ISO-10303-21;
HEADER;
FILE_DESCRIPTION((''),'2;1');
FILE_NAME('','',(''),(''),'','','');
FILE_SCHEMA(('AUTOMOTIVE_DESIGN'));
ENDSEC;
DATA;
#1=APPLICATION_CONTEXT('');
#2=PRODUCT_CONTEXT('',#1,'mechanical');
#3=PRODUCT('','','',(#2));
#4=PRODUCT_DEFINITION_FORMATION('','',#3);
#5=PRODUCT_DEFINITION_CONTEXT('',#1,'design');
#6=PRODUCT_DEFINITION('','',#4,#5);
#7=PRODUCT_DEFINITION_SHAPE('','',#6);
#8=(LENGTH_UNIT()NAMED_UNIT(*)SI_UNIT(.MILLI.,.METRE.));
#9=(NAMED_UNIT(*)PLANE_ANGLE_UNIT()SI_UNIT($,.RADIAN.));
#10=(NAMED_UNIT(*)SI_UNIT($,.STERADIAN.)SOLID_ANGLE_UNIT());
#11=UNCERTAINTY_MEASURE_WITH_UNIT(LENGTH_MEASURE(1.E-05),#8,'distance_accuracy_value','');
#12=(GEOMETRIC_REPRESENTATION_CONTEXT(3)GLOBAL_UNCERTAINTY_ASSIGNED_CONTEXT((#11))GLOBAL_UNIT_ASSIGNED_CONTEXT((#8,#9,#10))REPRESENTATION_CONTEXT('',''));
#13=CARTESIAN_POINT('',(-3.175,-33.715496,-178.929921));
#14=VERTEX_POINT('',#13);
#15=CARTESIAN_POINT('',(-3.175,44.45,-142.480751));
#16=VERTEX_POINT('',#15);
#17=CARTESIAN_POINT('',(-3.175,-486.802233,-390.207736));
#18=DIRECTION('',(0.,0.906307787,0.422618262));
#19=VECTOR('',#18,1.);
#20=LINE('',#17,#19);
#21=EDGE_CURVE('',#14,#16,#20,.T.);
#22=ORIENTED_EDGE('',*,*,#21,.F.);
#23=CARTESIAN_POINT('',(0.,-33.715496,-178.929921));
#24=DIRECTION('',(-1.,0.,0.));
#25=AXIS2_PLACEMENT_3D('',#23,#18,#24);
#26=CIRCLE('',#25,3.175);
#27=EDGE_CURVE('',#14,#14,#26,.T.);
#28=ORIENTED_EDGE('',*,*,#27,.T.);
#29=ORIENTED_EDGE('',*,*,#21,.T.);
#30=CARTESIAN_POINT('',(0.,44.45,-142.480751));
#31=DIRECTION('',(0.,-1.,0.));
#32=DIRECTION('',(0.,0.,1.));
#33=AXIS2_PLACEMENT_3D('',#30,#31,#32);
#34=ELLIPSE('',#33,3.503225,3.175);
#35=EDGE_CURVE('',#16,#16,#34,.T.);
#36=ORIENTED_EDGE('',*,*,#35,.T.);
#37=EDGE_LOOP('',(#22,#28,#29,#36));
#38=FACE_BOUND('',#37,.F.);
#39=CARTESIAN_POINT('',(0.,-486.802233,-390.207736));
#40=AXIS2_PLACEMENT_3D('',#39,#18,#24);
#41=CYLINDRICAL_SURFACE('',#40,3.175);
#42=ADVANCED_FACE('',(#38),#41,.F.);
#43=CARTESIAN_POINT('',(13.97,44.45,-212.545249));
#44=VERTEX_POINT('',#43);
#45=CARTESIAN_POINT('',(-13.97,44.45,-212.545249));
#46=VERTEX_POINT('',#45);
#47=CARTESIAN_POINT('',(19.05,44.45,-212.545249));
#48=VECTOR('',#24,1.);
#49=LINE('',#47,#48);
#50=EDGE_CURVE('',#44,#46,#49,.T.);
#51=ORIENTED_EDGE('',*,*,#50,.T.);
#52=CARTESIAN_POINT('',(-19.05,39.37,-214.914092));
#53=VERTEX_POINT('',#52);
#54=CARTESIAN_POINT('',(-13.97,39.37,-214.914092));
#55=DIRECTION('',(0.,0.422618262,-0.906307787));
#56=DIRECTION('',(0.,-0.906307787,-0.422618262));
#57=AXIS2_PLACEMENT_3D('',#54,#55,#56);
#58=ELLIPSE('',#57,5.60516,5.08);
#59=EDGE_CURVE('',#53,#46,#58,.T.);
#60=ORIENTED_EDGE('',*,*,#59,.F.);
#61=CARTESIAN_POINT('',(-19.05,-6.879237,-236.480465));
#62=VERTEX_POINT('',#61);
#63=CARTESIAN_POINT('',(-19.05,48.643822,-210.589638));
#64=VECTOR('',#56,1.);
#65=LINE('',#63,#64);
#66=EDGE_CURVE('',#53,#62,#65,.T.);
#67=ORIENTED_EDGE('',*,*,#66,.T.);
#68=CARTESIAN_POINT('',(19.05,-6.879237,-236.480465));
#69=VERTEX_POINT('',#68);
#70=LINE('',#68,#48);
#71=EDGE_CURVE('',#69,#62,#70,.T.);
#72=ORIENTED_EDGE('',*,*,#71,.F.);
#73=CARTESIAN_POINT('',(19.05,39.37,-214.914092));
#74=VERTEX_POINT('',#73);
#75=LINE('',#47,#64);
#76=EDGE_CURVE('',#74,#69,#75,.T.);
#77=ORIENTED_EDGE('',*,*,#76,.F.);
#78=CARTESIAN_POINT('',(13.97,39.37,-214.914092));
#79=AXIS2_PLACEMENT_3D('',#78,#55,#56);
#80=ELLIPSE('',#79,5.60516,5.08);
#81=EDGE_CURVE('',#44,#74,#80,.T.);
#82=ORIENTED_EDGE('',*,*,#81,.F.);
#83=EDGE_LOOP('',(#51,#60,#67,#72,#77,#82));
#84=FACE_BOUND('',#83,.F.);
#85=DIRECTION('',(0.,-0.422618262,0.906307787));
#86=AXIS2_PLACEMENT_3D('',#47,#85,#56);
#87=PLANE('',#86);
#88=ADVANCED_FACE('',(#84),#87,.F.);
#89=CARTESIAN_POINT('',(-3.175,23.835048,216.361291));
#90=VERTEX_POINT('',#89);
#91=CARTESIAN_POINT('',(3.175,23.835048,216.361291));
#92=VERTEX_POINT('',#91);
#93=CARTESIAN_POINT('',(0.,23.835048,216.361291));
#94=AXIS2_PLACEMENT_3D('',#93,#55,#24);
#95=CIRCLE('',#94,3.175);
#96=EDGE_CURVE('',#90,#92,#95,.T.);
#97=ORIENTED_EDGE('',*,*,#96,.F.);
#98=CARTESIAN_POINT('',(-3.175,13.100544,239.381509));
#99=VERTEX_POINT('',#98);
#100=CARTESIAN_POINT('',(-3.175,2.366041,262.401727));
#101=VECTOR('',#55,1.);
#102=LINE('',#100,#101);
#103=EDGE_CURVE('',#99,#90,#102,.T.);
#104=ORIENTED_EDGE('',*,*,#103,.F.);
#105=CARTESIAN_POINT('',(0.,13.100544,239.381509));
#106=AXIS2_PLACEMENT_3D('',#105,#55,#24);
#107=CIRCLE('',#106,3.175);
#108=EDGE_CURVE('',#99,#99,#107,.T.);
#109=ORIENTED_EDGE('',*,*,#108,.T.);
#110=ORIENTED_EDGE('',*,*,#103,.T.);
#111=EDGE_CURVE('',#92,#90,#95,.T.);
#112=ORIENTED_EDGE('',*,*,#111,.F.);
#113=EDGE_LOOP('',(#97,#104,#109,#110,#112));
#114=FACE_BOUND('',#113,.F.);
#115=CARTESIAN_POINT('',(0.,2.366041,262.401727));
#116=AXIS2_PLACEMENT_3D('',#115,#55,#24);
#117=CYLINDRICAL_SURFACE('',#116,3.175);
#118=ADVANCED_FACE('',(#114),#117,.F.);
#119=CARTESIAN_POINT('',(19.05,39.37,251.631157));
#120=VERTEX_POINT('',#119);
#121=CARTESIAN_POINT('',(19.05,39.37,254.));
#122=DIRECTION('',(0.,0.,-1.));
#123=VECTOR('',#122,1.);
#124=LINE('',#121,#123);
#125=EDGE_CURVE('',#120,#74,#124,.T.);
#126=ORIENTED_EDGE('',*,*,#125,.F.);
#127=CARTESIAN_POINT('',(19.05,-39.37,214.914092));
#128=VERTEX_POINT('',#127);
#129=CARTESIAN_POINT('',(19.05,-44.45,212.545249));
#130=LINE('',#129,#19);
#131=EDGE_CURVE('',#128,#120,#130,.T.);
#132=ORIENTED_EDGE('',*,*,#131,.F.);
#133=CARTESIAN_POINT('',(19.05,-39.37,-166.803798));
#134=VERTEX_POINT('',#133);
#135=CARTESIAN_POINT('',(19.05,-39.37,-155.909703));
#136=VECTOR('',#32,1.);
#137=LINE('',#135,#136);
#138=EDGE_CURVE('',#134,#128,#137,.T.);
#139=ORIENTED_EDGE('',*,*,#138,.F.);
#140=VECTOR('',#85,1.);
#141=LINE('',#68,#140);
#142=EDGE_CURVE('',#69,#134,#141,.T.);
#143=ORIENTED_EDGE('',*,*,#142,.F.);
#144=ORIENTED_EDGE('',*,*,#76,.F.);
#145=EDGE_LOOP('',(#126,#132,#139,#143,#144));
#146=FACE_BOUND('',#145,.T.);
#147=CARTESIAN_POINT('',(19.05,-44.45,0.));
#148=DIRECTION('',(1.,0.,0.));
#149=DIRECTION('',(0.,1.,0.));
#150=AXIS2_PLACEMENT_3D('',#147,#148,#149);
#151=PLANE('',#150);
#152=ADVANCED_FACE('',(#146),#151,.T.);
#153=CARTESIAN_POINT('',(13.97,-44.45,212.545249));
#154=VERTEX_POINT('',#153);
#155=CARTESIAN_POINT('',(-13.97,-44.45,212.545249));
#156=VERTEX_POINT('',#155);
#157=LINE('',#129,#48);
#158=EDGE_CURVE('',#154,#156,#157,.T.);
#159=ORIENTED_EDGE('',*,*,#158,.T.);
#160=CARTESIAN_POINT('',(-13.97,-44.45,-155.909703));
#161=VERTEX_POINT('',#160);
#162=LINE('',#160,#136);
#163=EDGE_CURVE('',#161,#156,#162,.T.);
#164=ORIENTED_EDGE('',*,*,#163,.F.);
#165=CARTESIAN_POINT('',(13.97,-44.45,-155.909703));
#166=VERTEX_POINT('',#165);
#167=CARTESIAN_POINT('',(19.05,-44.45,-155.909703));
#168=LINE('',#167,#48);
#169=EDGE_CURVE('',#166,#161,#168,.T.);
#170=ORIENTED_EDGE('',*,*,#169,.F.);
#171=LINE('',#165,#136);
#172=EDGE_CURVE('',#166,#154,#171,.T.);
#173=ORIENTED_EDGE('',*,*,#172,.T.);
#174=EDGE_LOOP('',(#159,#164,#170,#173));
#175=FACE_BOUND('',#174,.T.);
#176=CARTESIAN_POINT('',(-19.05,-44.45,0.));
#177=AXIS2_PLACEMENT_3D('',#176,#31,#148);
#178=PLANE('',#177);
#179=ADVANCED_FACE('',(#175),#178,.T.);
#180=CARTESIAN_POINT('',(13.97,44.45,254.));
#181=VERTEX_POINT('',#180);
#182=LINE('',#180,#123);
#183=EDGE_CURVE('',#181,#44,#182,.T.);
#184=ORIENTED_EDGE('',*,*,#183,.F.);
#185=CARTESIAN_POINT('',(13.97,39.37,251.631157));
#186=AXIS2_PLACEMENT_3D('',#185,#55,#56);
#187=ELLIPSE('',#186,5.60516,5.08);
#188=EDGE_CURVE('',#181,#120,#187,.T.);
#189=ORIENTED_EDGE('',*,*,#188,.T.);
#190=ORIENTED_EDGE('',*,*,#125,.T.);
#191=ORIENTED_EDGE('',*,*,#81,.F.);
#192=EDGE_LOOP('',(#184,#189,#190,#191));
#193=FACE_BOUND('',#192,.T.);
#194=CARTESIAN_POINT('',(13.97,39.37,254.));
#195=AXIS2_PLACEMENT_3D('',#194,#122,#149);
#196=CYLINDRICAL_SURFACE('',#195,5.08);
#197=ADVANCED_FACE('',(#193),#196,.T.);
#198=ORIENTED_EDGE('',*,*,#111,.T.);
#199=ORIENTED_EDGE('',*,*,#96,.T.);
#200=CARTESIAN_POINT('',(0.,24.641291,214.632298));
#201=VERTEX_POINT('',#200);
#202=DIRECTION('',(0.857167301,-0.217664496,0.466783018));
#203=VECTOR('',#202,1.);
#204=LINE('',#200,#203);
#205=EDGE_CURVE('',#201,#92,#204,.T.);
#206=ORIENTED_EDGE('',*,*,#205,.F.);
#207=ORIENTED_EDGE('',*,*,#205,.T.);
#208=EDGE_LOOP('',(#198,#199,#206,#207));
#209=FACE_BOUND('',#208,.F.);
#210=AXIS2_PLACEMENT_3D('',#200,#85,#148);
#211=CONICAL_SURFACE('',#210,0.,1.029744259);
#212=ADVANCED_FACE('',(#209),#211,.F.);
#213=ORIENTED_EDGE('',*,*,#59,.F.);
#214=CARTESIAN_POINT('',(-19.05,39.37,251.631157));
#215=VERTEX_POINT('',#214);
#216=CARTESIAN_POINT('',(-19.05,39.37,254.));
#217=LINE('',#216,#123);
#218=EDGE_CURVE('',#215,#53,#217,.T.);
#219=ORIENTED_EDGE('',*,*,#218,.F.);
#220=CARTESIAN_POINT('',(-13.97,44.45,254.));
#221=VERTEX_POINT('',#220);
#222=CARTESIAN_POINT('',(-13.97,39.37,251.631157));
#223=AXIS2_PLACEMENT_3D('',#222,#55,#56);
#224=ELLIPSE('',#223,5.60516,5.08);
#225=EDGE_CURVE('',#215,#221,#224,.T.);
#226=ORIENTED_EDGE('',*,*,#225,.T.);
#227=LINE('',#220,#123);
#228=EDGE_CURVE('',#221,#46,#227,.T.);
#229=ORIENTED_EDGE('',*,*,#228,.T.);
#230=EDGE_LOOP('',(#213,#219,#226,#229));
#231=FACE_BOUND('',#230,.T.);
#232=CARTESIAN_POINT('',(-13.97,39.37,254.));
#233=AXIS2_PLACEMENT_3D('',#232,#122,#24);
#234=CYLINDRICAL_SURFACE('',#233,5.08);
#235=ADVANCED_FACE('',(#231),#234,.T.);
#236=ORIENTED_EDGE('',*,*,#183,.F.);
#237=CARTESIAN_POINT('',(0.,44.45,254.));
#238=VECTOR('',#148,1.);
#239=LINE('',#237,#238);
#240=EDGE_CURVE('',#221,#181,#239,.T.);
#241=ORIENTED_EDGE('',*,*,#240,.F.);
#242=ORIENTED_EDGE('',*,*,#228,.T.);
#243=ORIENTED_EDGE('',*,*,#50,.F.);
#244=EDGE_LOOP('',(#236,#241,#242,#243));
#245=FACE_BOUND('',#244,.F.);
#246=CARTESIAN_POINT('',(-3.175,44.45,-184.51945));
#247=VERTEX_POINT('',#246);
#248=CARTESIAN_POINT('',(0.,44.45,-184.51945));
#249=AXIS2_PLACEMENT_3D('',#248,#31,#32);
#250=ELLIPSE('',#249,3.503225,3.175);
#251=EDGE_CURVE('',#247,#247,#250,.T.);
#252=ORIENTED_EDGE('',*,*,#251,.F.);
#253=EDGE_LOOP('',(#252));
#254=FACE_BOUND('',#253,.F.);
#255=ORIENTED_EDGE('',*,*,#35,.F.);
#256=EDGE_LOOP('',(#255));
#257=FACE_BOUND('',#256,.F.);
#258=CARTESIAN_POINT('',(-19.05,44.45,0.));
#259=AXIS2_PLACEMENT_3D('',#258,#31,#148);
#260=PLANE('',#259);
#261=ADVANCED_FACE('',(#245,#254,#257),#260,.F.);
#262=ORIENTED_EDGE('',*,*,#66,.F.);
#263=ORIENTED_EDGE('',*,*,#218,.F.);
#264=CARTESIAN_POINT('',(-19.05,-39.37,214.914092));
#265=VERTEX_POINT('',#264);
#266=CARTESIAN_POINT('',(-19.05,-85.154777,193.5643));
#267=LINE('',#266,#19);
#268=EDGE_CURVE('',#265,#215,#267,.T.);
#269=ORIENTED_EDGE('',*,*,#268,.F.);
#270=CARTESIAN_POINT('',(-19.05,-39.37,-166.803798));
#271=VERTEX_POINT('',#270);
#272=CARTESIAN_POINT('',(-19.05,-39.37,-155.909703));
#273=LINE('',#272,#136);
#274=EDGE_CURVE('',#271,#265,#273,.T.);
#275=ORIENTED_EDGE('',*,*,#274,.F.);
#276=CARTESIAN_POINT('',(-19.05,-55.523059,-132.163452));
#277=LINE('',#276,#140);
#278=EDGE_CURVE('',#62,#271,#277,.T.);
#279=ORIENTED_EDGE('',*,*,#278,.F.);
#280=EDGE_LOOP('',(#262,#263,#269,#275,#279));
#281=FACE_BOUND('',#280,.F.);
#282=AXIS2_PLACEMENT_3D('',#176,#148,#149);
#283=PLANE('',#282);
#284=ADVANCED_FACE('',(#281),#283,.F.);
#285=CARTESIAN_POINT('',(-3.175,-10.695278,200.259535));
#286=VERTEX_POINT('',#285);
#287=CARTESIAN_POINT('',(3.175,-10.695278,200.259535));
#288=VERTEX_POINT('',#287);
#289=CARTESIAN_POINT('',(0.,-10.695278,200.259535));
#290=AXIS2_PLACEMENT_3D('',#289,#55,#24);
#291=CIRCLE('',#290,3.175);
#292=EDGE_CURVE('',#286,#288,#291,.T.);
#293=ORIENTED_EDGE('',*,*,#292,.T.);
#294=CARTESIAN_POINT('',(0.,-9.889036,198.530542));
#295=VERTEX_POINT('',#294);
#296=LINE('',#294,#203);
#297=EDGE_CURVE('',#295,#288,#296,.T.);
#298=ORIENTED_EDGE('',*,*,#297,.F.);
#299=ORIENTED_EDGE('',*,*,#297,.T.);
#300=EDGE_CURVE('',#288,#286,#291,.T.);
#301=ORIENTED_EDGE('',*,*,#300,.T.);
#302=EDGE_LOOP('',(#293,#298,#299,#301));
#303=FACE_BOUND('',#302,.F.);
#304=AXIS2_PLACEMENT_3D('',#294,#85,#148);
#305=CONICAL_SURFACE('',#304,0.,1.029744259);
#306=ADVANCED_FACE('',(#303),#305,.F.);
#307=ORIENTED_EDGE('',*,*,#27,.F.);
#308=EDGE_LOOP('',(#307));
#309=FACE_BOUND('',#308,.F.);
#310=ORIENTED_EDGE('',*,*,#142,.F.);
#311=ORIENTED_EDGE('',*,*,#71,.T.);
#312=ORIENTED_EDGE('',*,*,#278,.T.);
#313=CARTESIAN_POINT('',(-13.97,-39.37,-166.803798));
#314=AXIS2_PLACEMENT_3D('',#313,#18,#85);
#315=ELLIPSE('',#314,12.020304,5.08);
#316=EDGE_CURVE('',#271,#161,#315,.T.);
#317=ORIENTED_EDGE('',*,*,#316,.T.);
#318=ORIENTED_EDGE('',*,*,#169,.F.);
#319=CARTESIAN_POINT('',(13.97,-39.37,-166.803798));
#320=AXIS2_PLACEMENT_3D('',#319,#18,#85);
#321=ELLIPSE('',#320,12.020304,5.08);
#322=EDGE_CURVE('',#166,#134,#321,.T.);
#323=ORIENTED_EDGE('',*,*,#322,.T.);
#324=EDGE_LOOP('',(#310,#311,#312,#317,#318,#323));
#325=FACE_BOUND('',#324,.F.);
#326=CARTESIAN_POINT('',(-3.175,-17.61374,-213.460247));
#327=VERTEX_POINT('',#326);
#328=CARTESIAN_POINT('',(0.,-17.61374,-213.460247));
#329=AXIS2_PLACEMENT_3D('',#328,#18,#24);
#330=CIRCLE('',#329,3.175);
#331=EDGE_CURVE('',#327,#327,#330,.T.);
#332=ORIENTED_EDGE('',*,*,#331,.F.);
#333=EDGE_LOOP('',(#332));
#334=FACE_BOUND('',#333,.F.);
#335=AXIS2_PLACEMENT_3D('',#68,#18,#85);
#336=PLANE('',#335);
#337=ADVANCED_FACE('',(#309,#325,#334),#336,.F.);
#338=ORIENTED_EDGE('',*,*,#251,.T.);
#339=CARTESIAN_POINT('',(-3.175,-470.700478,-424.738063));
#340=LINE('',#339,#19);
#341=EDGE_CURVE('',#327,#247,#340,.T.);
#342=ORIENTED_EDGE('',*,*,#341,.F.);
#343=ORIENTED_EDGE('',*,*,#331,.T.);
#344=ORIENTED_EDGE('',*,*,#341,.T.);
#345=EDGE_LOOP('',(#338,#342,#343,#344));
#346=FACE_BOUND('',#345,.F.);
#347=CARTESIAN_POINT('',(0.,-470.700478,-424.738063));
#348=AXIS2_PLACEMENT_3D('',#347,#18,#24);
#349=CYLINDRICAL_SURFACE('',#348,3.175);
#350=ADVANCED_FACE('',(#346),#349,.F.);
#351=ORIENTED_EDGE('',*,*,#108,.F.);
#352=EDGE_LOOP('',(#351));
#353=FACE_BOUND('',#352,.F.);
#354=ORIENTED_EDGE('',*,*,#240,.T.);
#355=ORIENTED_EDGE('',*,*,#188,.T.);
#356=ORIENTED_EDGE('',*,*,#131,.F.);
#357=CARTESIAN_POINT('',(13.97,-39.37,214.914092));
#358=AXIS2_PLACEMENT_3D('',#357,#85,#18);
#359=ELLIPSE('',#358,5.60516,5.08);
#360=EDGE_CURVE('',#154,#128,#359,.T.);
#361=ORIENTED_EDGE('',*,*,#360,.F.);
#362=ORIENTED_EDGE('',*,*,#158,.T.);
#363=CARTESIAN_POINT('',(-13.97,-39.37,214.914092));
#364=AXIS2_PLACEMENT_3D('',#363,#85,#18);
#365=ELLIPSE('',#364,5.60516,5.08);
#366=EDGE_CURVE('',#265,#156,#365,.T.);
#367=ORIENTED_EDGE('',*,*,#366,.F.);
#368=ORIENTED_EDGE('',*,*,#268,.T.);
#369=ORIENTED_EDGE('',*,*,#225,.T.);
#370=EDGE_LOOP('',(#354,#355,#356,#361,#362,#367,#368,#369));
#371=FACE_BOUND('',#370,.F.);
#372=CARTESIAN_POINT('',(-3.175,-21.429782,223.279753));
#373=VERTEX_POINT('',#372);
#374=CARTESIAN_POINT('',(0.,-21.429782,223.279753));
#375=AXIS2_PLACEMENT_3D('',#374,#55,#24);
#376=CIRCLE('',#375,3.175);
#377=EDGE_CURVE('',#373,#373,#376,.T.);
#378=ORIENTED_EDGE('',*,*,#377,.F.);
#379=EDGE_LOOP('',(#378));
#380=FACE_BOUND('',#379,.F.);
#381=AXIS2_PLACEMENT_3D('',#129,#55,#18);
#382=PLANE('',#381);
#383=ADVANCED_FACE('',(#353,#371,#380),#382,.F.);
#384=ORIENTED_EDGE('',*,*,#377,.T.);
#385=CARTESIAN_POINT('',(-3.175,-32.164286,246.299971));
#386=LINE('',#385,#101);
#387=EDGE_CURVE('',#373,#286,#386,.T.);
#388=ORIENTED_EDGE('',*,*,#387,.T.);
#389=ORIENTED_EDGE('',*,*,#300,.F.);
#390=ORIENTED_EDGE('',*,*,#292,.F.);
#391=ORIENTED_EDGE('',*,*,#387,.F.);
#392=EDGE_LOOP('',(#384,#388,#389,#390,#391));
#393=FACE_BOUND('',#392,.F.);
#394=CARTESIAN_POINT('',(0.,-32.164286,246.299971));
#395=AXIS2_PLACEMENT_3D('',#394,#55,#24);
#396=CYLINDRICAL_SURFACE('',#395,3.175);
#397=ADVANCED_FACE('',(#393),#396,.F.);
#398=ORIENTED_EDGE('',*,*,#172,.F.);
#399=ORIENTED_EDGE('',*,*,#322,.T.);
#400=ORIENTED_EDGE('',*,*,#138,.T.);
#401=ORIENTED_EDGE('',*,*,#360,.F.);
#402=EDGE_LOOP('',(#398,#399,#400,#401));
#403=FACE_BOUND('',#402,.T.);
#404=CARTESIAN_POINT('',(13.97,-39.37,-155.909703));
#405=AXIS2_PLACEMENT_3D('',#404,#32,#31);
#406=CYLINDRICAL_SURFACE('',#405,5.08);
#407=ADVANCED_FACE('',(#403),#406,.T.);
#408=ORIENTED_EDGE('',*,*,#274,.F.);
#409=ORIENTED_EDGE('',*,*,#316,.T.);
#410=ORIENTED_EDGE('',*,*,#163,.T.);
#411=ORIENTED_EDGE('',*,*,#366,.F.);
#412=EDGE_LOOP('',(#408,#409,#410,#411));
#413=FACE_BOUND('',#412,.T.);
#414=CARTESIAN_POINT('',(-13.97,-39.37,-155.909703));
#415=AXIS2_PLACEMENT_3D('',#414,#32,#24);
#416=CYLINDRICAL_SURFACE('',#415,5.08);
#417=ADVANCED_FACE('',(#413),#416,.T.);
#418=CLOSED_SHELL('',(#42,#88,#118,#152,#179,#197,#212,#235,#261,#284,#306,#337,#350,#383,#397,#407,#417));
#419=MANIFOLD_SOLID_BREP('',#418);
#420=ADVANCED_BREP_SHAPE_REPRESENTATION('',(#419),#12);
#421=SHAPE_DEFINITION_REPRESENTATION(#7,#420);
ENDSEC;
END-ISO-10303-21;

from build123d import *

# Parameters (mm, degrees)
F0_W     = 38.1
F0_H     = 88.9
F1_DEPTH = 254
F3_DEPTH = 38.101
F5_D     = 6.35
F6_R     = 5.08
F8_D     = 6.35
F8_DEPTH = 25.4
F8_TIP   = 1.9077324654


with BuildPart() as f1:
    # F0 (on Top) → F1 (new body, symmetric)
    with BuildSketch(Plane.XY):
        Rectangle(F0_W, F0_H)
    extrude(amount=F1_DEPTH, both=True)

    # F2 (on face) → F3 (cut, through all)
    with BuildSketch(Plane.YZ.offset(19.05)):
        Polygon((-44.45, 254), (-44.45, 212.54524919), (44.45, 254), align=None)
        Polygon((-6.8792365313, -236.4804652718), (-44.45, -254), (44.45, -254), (44.45, -212.54524919), align=None)
        Polygon((-44.45, -155.9097030042), (-44.45, -254), (-6.8792365313, -236.4804652718), align=None)
    extrude(amount=-F3_DEPTH, mode=Mode.SUBTRACT)

    # F5 (through all)
    with Locations(Plane(origin=(0, -96.2278354326, -44.8717765899), x_dir=(1, 0, 0), z_dir=(0, -0.906307787, -0.4226182617))):
        with Locations((0, -147.9167961729), (0, -186.0167961729)):
            Hole(F5_D / 2)

    # F6
    f6_edges = [f1.edges().sort_by_distance(p)[0] for p in [
        (19.05, -44.45, 28.317773),
        (-19.05, -44.45, 28.317773),
        (19.05, 44.45, 20.727375),
        (-19.05, 44.45, 20.727375),
    ]]
    fillet(f6_edges, radius=F6_R)

    # F8
    with Locations(Plane(origin=(0, -89.3485989014, 191.6086886819), x_dir=(1, 0, 0), z_dir=(0, -0.4226182617, 0.906307787))):
        with Locations((0, 113.0401226202), (0, 74.9401226202)):
            Hole(F8_D / 2, depth=F8_DEPTH)
            with Locations((0, 0, -(F8_DEPTH + F8_TIP / 2))):  # 118° drill point
                Cone(0, F8_D / 2, F8_TIP, mode=Mode.SUBTRACT)


solid = f1.part
